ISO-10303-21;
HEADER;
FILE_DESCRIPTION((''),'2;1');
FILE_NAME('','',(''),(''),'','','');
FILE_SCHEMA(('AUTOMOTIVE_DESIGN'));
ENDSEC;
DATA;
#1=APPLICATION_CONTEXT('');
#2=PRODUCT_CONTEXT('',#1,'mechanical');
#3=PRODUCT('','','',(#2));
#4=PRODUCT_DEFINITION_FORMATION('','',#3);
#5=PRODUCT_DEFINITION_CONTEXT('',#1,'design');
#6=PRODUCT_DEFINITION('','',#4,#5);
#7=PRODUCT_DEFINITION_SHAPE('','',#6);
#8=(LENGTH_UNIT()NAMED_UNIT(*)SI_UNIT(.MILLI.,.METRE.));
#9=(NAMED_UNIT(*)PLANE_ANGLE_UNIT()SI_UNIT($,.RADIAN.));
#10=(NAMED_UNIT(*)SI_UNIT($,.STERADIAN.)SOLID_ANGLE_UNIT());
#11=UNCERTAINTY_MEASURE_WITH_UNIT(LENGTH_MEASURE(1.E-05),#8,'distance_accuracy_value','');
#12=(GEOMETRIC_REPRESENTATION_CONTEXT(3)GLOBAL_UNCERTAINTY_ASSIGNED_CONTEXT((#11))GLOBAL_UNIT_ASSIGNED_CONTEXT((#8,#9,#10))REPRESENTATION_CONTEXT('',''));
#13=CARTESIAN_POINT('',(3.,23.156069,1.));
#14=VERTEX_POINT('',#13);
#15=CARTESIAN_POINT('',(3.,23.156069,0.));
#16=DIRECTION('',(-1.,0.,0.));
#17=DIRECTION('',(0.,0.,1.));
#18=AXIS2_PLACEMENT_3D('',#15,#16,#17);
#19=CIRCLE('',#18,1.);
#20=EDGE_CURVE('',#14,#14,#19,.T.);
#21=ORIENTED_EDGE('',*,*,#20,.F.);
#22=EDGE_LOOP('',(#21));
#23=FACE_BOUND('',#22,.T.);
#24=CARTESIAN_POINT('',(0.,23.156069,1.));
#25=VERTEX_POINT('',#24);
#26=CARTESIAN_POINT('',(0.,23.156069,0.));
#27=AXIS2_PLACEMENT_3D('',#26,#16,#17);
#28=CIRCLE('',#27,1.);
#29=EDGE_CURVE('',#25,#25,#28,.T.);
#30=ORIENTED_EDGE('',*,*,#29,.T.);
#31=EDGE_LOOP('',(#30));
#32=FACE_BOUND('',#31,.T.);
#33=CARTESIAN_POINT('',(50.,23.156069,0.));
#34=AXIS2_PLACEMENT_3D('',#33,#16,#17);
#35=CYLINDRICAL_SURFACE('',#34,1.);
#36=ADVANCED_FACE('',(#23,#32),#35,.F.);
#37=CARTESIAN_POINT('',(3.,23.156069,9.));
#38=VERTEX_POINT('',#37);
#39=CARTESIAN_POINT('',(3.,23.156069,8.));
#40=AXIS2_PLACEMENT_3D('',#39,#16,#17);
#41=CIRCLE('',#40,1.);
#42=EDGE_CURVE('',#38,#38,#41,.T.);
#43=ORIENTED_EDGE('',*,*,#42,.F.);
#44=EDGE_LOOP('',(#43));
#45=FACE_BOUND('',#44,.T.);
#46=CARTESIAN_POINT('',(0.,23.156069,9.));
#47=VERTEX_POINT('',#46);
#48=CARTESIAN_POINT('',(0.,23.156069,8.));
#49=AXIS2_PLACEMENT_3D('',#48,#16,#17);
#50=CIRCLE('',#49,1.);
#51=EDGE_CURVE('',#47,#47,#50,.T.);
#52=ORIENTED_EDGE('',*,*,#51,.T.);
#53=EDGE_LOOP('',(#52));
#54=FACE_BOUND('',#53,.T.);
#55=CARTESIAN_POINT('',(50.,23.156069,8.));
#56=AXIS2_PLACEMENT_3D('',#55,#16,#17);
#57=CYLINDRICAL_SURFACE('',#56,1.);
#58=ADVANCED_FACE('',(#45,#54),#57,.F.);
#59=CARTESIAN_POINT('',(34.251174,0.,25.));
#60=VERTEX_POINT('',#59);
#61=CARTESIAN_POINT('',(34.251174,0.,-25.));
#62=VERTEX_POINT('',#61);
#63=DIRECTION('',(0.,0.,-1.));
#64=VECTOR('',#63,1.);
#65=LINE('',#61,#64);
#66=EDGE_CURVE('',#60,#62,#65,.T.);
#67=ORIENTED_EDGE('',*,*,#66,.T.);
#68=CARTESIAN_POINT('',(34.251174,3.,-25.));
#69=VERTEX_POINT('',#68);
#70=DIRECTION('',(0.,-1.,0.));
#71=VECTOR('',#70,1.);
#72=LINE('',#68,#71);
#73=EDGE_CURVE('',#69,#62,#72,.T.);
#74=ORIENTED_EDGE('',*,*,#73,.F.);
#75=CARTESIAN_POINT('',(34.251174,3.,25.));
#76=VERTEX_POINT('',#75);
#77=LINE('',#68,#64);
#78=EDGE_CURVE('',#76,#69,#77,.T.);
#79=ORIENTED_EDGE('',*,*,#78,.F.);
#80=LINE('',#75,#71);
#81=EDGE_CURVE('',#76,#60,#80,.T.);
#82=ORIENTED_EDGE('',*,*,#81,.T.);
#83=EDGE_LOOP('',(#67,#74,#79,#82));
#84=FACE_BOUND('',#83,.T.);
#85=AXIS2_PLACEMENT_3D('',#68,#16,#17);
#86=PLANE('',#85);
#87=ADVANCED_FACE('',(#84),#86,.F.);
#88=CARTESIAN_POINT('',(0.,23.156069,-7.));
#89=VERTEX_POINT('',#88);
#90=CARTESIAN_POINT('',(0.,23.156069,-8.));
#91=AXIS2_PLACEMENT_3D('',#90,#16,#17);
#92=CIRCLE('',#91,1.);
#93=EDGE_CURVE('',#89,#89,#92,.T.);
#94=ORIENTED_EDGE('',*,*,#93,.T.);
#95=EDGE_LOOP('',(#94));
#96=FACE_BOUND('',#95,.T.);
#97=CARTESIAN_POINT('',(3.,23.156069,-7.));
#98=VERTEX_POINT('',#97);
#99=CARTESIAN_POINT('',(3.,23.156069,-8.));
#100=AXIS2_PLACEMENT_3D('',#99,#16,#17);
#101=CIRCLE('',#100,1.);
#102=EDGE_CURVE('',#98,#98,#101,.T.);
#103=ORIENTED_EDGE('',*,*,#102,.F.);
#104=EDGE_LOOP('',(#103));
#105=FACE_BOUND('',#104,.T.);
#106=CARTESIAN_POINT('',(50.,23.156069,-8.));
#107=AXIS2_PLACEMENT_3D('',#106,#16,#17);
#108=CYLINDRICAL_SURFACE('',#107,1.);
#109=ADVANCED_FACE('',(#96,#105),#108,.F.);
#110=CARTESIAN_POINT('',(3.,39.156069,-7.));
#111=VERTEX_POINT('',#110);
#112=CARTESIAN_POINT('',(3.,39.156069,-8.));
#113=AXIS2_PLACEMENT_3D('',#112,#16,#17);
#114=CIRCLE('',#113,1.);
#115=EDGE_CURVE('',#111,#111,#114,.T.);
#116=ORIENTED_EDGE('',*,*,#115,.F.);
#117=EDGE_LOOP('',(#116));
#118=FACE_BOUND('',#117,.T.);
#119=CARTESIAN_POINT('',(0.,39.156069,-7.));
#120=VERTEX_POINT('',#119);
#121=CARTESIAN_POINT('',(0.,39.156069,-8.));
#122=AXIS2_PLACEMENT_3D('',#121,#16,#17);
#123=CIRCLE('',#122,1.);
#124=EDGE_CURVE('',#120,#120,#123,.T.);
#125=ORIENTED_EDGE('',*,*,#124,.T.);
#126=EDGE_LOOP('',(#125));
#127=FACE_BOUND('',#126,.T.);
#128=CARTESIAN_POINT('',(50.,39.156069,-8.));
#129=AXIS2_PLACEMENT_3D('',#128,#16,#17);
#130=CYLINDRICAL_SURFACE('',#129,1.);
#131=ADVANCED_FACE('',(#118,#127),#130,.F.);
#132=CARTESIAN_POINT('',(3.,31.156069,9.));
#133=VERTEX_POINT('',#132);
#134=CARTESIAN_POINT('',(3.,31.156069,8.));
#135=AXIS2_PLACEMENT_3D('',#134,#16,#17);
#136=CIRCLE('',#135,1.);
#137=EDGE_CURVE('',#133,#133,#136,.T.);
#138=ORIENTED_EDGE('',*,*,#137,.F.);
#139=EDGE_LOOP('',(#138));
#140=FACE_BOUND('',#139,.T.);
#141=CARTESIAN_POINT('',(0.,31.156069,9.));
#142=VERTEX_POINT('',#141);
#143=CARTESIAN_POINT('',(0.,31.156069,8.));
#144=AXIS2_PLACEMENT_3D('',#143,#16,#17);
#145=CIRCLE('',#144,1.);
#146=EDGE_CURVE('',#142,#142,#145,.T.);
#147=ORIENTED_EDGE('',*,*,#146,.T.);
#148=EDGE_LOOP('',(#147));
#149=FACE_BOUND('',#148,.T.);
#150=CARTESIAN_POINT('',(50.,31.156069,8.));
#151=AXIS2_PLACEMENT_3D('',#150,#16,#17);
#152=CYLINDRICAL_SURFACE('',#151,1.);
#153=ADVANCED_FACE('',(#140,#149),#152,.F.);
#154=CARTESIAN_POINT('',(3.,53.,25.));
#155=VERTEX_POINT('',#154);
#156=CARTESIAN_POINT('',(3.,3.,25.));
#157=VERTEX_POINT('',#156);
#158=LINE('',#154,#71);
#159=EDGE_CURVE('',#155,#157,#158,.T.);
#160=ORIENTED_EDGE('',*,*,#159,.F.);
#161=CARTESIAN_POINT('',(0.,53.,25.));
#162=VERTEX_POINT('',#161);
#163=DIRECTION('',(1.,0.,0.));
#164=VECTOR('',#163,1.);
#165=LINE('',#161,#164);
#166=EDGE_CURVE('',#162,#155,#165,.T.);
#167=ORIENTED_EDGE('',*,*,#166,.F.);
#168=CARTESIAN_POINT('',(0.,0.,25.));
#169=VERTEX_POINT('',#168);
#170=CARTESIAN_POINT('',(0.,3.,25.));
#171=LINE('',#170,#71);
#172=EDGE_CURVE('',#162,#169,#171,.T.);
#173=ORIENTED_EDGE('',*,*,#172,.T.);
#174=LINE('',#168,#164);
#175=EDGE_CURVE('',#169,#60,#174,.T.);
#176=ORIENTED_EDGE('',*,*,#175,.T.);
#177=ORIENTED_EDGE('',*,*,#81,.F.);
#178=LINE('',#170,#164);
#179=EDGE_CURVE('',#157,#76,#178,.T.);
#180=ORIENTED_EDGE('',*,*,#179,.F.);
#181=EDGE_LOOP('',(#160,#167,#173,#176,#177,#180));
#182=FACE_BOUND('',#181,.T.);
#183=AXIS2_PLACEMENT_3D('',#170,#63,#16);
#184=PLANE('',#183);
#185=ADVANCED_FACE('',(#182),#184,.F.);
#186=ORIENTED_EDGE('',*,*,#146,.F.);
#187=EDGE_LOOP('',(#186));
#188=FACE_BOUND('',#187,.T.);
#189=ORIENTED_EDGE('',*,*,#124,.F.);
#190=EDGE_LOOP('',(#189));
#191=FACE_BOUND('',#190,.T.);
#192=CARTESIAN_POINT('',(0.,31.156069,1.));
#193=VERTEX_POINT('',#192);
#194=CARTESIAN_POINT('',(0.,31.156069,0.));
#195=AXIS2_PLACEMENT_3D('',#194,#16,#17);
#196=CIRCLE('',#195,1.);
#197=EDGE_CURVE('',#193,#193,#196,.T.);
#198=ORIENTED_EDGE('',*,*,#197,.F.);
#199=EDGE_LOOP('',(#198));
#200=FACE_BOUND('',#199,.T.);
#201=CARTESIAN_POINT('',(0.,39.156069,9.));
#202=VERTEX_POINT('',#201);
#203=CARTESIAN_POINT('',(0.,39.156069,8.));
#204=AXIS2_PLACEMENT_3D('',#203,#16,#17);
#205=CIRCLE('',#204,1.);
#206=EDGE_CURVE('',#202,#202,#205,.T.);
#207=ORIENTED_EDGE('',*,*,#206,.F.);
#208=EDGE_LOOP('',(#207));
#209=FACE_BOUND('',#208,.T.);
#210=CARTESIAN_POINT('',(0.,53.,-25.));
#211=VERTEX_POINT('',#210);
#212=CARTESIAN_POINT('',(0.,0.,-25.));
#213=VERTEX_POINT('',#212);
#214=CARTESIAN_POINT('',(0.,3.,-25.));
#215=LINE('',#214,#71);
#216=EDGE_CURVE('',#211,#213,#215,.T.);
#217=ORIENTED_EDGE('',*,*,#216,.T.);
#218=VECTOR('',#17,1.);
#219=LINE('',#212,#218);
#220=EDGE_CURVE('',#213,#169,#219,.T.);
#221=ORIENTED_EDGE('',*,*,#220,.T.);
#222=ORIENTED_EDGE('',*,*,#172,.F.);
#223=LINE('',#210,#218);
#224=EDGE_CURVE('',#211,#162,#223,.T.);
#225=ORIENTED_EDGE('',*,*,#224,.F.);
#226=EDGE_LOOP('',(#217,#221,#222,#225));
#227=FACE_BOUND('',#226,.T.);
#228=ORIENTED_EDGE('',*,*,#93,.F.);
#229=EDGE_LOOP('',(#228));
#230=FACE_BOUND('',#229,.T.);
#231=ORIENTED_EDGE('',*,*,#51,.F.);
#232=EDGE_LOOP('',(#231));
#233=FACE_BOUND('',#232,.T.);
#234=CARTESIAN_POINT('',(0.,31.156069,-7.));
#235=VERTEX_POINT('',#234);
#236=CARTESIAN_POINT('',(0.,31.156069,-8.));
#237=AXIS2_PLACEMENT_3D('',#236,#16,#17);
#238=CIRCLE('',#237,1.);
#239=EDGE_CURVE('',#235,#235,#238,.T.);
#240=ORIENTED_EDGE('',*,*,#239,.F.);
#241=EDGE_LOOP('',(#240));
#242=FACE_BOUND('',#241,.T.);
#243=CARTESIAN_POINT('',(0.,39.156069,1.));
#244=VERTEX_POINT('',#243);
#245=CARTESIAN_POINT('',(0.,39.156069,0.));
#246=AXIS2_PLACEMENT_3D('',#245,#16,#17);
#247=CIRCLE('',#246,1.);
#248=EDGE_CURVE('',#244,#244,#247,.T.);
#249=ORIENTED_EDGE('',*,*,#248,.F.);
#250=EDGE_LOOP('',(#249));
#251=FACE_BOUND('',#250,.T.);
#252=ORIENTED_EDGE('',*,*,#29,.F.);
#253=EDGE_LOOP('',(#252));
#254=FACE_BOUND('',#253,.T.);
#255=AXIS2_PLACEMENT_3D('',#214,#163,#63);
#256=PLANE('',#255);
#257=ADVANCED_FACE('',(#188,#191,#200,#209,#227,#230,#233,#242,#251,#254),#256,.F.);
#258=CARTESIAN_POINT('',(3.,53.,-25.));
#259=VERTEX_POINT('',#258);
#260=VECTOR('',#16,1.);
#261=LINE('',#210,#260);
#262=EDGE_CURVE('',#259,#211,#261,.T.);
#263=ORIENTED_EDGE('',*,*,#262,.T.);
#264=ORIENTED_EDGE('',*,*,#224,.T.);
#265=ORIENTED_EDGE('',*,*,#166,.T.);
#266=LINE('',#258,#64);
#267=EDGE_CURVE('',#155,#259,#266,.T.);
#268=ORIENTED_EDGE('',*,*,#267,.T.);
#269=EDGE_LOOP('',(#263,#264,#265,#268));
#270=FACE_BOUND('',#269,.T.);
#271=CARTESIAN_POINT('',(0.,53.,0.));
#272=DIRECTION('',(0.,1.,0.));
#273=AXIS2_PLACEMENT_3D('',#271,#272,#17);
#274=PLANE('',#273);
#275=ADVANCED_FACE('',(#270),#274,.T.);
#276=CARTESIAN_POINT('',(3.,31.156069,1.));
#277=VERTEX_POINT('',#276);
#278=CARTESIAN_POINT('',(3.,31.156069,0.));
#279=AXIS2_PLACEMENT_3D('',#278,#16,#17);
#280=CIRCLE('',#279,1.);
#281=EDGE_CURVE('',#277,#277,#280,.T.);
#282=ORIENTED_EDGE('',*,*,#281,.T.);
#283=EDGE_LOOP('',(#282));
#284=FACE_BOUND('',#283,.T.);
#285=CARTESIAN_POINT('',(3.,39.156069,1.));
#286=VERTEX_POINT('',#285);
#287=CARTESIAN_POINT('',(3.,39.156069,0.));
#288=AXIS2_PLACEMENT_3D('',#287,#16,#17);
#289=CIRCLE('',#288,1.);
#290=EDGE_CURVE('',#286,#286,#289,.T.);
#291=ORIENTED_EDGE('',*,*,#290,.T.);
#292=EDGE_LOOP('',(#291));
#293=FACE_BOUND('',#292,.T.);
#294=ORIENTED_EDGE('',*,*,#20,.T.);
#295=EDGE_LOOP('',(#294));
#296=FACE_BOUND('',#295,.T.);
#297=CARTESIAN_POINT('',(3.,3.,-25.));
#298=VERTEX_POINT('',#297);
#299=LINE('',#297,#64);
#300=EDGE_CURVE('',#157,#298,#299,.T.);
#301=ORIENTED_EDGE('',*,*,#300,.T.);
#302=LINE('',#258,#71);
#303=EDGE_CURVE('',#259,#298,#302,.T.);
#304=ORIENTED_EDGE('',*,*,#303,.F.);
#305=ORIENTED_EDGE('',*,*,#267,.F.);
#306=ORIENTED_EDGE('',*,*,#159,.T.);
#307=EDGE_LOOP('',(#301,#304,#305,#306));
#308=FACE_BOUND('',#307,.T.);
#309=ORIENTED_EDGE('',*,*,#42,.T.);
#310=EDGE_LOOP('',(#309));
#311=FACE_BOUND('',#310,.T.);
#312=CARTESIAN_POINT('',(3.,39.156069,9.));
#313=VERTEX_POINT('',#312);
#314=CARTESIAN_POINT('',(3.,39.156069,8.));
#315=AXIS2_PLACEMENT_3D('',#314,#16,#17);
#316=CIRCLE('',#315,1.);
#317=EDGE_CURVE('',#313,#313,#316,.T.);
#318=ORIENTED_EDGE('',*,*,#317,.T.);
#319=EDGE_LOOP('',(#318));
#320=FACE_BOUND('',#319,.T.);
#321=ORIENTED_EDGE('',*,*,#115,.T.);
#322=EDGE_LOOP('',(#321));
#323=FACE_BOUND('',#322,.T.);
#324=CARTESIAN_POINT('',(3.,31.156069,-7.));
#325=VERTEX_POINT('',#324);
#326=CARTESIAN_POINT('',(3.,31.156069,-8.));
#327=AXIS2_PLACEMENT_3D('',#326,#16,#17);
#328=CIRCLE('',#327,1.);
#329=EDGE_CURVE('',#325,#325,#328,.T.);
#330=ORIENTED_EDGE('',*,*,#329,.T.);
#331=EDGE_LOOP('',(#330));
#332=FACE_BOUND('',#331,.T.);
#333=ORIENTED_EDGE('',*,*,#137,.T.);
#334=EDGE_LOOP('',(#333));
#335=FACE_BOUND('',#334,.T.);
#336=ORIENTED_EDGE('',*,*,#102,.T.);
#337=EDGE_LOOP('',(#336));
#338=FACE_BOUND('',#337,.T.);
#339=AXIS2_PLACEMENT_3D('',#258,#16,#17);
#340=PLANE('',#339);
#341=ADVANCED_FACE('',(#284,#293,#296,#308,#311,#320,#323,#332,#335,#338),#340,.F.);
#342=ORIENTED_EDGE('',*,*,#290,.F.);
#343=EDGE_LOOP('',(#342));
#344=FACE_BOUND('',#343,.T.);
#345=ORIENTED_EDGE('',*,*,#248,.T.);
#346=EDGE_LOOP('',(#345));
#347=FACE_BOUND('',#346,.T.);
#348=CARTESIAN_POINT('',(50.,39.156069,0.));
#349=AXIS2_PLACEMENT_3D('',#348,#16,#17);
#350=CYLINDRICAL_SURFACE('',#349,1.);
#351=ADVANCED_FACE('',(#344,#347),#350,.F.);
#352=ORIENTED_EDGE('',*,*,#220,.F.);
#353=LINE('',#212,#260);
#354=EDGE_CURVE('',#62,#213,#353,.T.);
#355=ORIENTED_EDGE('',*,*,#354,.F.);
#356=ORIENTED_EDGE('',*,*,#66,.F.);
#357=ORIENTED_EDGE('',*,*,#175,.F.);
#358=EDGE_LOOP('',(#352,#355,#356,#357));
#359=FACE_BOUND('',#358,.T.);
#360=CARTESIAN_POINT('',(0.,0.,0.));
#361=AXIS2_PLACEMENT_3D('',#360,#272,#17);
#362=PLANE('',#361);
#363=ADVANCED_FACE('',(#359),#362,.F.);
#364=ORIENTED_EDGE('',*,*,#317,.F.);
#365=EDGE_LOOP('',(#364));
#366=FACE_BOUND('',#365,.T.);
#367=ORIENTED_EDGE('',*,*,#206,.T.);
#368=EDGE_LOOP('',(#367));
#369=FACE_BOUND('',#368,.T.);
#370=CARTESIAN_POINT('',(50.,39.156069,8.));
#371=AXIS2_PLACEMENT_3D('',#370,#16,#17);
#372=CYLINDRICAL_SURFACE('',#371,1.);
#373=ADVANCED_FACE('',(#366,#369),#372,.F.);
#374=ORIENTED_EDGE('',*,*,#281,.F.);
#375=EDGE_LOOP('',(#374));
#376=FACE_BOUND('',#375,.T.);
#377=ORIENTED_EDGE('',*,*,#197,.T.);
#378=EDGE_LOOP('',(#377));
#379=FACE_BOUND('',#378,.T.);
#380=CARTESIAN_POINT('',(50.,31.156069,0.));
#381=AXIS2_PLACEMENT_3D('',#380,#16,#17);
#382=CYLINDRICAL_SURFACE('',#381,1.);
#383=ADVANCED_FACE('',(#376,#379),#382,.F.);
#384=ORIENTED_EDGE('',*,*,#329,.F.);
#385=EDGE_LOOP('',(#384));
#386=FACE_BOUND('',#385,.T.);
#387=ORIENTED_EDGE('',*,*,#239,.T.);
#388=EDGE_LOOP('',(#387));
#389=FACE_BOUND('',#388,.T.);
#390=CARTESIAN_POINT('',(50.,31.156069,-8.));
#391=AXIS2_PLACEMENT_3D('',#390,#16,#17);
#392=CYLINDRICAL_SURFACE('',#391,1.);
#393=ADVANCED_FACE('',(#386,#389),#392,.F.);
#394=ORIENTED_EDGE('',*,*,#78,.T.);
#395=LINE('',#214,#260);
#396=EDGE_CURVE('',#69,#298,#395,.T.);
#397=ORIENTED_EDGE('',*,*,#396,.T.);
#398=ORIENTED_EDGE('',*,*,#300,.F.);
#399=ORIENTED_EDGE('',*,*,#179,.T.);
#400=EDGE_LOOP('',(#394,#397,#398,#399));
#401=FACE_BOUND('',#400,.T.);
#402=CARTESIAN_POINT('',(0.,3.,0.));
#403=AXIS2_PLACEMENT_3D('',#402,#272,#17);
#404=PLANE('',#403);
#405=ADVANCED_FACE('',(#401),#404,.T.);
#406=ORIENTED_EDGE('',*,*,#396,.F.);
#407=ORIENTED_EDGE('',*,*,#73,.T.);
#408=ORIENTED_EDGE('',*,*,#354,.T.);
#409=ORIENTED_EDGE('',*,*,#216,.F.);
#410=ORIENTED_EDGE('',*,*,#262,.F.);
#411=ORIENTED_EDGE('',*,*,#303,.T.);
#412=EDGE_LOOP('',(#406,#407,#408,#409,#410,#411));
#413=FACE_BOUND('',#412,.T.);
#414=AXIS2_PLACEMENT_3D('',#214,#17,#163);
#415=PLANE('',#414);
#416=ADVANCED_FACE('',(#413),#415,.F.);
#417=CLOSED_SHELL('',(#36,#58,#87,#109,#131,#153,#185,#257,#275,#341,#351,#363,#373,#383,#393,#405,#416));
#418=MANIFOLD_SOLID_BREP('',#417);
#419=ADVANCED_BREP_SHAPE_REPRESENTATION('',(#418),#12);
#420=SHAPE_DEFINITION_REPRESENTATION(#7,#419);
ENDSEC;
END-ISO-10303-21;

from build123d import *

# Parameters (mm, degrees)
SKETCH_1_W                       = 34.251173864
SKETCH_1_H                       = 50
EXTRUDE_1_DEPTH                  = 3
SKETCH_2_W                       = 3
SKETCH_2_H                       = 50
EXTRUDE_2_DEPTH                  = 50
SKETCH_3_R                       = 1
CUT_EXTRUDE_1_DEPTH              = 50
PATTERN_LINEAR_1_COUNT           = 3
PATTERN_LINEAR_1_PITCH           = 8
PATTERN_LINEAR_2_COUNT           = 3
PATTERN_LINEAR_2_PITCH           = 8
PATTERN_LINEAR_2_COPY_1_SKETCH_R = 1
PATTERN_LINEAR_2_COPY_1_DEPTH    = 50
PATTERN_LINEAR_2_COPY_2_SKETCH_R = 1
PATTERN_LINEAR_2_COPY_2_DEPTH    = 50
PATTERN_LINEAR_2_COPY_3_SKETCH_R = 1
PATTERN_LINEAR_2_COPY_3_DEPTH    = 50
PATTERN_LINEAR_2_COPY_4_SKETCH_R = 1
PATTERN_LINEAR_2_COPY_4_DEPTH    = 50


with BuildPart() as part:
    # 草图1 → 凸台-拉伸1 (new body)
    with BuildSketch(Plane(origin=(0, 0, 0), x_dir=(1, 0, 0), z_dir=(0, 1, 0))):
        with Locations((17.125586932, 0)):
            Rectangle(SKETCH_1_W, SKETCH_1_H)
    extrude(amount=EXTRUDE_1_DEPTH)

    # 草图2 → 凸台-拉伸2 (add)
    with BuildSketch(Plane(origin=(0, 3, 0), x_dir=(1, 0, 0), z_dir=(0, 1, 0))):
        with Locations((1.5, 0)):
            Rectangle(SKETCH_2_W, SKETCH_2_H)
    extrude(amount=EXTRUDE_2_DEPTH)

    # 草图3 → 切除-拉伸1 (cut)
    with BuildSketch(Plane.ZY):
        with Locations((-8, 39.156069013)):
            Circle(SKETCH_3_R)
    cut_extrude_1 = extrude(amount=-CUT_EXTRUDE_1_DEPTH, mode=Mode.SUBTRACT)

    # 阵列(线性)1: 切除-拉伸1 ×3
    with Locations(*[(0, 0, i * PATTERN_LINEAR_1_PITCH) for i in range(1, PATTERN_LINEAR_1_COUNT)]):
        add(cut_extrude_1, mode=Mode.SUBTRACT)

    # 阵列(线性)2: 切除-拉伸1 ×3
    with Locations(*[(0, -i * PATTERN_LINEAR_2_PITCH, 0) for i in range(1, PATTERN_LINEAR_2_COUNT)]):
        add(cut_extrude_1, mode=Mode.SUBTRACT)

    # 阵列(线性)2 copy 1 sketch → 阵列(线性)2 copy 1 (cut)
    with BuildSketch(Plane(origin=(0, -8, 8), x_dir=(0, 0, 1), z_dir=(-1, 0, 0))):
        with Locations((-8, 39.156069013)):
            Circle(PATTERN_LINEAR_2_COPY_1_SKETCH_R)
    extrude(amount=-PATTERN_LINEAR_2_COPY_1_DEPTH, mode=Mode.SUBTRACT)

    # 阵列(线性)2 copy 2 sketch → 阵列(线性)2 copy 2 (cut)
    with BuildSketch(Plane(origin=(0, -16, 8), x_dir=(0, 0, 1), z_dir=(-1, 0, 0))):
        with Locations((-8, 39.156069013)):
            Circle(PATTERN_LINEAR_2_COPY_2_SKETCH_R)
    extrude(amount=-PATTERN_LINEAR_2_COPY_2_DEPTH, mode=Mode.SUBTRACT)

    # 阵列(线性)2 copy 3 sketch → 阵列(线性)2 copy 3 (cut)
    with BuildSketch(Plane(origin=(0, -8, 16), x_dir=(0, 0, 1), z_dir=(-1, 0, 0))):
        with Locations((-8, 39.156069013)):
            Circle(PATTERN_LINEAR_2_COPY_3_SKETCH_R)
    extrude(amount=-PATTERN_LINEAR_2_COPY_3_DEPTH, mode=Mode.SUBTRACT)

    # 阵列(线性)2 copy 4 sketch → 阵列(线性)2 copy 4 (cut)
    with BuildSketch(Plane(origin=(0, -16, 16), x_dir=(0, 0, 1), z_dir=(-1, 0, 0))):
        with Locations((-8, 39.156069013)):
            Circle(PATTERN_LINEAR_2_COPY_4_SKETCH_R)
    extrude(amount=-PATTERN_LINEAR_2_COPY_4_DEPTH, mode=Mode.SUBTRACT)


solid = part.part
